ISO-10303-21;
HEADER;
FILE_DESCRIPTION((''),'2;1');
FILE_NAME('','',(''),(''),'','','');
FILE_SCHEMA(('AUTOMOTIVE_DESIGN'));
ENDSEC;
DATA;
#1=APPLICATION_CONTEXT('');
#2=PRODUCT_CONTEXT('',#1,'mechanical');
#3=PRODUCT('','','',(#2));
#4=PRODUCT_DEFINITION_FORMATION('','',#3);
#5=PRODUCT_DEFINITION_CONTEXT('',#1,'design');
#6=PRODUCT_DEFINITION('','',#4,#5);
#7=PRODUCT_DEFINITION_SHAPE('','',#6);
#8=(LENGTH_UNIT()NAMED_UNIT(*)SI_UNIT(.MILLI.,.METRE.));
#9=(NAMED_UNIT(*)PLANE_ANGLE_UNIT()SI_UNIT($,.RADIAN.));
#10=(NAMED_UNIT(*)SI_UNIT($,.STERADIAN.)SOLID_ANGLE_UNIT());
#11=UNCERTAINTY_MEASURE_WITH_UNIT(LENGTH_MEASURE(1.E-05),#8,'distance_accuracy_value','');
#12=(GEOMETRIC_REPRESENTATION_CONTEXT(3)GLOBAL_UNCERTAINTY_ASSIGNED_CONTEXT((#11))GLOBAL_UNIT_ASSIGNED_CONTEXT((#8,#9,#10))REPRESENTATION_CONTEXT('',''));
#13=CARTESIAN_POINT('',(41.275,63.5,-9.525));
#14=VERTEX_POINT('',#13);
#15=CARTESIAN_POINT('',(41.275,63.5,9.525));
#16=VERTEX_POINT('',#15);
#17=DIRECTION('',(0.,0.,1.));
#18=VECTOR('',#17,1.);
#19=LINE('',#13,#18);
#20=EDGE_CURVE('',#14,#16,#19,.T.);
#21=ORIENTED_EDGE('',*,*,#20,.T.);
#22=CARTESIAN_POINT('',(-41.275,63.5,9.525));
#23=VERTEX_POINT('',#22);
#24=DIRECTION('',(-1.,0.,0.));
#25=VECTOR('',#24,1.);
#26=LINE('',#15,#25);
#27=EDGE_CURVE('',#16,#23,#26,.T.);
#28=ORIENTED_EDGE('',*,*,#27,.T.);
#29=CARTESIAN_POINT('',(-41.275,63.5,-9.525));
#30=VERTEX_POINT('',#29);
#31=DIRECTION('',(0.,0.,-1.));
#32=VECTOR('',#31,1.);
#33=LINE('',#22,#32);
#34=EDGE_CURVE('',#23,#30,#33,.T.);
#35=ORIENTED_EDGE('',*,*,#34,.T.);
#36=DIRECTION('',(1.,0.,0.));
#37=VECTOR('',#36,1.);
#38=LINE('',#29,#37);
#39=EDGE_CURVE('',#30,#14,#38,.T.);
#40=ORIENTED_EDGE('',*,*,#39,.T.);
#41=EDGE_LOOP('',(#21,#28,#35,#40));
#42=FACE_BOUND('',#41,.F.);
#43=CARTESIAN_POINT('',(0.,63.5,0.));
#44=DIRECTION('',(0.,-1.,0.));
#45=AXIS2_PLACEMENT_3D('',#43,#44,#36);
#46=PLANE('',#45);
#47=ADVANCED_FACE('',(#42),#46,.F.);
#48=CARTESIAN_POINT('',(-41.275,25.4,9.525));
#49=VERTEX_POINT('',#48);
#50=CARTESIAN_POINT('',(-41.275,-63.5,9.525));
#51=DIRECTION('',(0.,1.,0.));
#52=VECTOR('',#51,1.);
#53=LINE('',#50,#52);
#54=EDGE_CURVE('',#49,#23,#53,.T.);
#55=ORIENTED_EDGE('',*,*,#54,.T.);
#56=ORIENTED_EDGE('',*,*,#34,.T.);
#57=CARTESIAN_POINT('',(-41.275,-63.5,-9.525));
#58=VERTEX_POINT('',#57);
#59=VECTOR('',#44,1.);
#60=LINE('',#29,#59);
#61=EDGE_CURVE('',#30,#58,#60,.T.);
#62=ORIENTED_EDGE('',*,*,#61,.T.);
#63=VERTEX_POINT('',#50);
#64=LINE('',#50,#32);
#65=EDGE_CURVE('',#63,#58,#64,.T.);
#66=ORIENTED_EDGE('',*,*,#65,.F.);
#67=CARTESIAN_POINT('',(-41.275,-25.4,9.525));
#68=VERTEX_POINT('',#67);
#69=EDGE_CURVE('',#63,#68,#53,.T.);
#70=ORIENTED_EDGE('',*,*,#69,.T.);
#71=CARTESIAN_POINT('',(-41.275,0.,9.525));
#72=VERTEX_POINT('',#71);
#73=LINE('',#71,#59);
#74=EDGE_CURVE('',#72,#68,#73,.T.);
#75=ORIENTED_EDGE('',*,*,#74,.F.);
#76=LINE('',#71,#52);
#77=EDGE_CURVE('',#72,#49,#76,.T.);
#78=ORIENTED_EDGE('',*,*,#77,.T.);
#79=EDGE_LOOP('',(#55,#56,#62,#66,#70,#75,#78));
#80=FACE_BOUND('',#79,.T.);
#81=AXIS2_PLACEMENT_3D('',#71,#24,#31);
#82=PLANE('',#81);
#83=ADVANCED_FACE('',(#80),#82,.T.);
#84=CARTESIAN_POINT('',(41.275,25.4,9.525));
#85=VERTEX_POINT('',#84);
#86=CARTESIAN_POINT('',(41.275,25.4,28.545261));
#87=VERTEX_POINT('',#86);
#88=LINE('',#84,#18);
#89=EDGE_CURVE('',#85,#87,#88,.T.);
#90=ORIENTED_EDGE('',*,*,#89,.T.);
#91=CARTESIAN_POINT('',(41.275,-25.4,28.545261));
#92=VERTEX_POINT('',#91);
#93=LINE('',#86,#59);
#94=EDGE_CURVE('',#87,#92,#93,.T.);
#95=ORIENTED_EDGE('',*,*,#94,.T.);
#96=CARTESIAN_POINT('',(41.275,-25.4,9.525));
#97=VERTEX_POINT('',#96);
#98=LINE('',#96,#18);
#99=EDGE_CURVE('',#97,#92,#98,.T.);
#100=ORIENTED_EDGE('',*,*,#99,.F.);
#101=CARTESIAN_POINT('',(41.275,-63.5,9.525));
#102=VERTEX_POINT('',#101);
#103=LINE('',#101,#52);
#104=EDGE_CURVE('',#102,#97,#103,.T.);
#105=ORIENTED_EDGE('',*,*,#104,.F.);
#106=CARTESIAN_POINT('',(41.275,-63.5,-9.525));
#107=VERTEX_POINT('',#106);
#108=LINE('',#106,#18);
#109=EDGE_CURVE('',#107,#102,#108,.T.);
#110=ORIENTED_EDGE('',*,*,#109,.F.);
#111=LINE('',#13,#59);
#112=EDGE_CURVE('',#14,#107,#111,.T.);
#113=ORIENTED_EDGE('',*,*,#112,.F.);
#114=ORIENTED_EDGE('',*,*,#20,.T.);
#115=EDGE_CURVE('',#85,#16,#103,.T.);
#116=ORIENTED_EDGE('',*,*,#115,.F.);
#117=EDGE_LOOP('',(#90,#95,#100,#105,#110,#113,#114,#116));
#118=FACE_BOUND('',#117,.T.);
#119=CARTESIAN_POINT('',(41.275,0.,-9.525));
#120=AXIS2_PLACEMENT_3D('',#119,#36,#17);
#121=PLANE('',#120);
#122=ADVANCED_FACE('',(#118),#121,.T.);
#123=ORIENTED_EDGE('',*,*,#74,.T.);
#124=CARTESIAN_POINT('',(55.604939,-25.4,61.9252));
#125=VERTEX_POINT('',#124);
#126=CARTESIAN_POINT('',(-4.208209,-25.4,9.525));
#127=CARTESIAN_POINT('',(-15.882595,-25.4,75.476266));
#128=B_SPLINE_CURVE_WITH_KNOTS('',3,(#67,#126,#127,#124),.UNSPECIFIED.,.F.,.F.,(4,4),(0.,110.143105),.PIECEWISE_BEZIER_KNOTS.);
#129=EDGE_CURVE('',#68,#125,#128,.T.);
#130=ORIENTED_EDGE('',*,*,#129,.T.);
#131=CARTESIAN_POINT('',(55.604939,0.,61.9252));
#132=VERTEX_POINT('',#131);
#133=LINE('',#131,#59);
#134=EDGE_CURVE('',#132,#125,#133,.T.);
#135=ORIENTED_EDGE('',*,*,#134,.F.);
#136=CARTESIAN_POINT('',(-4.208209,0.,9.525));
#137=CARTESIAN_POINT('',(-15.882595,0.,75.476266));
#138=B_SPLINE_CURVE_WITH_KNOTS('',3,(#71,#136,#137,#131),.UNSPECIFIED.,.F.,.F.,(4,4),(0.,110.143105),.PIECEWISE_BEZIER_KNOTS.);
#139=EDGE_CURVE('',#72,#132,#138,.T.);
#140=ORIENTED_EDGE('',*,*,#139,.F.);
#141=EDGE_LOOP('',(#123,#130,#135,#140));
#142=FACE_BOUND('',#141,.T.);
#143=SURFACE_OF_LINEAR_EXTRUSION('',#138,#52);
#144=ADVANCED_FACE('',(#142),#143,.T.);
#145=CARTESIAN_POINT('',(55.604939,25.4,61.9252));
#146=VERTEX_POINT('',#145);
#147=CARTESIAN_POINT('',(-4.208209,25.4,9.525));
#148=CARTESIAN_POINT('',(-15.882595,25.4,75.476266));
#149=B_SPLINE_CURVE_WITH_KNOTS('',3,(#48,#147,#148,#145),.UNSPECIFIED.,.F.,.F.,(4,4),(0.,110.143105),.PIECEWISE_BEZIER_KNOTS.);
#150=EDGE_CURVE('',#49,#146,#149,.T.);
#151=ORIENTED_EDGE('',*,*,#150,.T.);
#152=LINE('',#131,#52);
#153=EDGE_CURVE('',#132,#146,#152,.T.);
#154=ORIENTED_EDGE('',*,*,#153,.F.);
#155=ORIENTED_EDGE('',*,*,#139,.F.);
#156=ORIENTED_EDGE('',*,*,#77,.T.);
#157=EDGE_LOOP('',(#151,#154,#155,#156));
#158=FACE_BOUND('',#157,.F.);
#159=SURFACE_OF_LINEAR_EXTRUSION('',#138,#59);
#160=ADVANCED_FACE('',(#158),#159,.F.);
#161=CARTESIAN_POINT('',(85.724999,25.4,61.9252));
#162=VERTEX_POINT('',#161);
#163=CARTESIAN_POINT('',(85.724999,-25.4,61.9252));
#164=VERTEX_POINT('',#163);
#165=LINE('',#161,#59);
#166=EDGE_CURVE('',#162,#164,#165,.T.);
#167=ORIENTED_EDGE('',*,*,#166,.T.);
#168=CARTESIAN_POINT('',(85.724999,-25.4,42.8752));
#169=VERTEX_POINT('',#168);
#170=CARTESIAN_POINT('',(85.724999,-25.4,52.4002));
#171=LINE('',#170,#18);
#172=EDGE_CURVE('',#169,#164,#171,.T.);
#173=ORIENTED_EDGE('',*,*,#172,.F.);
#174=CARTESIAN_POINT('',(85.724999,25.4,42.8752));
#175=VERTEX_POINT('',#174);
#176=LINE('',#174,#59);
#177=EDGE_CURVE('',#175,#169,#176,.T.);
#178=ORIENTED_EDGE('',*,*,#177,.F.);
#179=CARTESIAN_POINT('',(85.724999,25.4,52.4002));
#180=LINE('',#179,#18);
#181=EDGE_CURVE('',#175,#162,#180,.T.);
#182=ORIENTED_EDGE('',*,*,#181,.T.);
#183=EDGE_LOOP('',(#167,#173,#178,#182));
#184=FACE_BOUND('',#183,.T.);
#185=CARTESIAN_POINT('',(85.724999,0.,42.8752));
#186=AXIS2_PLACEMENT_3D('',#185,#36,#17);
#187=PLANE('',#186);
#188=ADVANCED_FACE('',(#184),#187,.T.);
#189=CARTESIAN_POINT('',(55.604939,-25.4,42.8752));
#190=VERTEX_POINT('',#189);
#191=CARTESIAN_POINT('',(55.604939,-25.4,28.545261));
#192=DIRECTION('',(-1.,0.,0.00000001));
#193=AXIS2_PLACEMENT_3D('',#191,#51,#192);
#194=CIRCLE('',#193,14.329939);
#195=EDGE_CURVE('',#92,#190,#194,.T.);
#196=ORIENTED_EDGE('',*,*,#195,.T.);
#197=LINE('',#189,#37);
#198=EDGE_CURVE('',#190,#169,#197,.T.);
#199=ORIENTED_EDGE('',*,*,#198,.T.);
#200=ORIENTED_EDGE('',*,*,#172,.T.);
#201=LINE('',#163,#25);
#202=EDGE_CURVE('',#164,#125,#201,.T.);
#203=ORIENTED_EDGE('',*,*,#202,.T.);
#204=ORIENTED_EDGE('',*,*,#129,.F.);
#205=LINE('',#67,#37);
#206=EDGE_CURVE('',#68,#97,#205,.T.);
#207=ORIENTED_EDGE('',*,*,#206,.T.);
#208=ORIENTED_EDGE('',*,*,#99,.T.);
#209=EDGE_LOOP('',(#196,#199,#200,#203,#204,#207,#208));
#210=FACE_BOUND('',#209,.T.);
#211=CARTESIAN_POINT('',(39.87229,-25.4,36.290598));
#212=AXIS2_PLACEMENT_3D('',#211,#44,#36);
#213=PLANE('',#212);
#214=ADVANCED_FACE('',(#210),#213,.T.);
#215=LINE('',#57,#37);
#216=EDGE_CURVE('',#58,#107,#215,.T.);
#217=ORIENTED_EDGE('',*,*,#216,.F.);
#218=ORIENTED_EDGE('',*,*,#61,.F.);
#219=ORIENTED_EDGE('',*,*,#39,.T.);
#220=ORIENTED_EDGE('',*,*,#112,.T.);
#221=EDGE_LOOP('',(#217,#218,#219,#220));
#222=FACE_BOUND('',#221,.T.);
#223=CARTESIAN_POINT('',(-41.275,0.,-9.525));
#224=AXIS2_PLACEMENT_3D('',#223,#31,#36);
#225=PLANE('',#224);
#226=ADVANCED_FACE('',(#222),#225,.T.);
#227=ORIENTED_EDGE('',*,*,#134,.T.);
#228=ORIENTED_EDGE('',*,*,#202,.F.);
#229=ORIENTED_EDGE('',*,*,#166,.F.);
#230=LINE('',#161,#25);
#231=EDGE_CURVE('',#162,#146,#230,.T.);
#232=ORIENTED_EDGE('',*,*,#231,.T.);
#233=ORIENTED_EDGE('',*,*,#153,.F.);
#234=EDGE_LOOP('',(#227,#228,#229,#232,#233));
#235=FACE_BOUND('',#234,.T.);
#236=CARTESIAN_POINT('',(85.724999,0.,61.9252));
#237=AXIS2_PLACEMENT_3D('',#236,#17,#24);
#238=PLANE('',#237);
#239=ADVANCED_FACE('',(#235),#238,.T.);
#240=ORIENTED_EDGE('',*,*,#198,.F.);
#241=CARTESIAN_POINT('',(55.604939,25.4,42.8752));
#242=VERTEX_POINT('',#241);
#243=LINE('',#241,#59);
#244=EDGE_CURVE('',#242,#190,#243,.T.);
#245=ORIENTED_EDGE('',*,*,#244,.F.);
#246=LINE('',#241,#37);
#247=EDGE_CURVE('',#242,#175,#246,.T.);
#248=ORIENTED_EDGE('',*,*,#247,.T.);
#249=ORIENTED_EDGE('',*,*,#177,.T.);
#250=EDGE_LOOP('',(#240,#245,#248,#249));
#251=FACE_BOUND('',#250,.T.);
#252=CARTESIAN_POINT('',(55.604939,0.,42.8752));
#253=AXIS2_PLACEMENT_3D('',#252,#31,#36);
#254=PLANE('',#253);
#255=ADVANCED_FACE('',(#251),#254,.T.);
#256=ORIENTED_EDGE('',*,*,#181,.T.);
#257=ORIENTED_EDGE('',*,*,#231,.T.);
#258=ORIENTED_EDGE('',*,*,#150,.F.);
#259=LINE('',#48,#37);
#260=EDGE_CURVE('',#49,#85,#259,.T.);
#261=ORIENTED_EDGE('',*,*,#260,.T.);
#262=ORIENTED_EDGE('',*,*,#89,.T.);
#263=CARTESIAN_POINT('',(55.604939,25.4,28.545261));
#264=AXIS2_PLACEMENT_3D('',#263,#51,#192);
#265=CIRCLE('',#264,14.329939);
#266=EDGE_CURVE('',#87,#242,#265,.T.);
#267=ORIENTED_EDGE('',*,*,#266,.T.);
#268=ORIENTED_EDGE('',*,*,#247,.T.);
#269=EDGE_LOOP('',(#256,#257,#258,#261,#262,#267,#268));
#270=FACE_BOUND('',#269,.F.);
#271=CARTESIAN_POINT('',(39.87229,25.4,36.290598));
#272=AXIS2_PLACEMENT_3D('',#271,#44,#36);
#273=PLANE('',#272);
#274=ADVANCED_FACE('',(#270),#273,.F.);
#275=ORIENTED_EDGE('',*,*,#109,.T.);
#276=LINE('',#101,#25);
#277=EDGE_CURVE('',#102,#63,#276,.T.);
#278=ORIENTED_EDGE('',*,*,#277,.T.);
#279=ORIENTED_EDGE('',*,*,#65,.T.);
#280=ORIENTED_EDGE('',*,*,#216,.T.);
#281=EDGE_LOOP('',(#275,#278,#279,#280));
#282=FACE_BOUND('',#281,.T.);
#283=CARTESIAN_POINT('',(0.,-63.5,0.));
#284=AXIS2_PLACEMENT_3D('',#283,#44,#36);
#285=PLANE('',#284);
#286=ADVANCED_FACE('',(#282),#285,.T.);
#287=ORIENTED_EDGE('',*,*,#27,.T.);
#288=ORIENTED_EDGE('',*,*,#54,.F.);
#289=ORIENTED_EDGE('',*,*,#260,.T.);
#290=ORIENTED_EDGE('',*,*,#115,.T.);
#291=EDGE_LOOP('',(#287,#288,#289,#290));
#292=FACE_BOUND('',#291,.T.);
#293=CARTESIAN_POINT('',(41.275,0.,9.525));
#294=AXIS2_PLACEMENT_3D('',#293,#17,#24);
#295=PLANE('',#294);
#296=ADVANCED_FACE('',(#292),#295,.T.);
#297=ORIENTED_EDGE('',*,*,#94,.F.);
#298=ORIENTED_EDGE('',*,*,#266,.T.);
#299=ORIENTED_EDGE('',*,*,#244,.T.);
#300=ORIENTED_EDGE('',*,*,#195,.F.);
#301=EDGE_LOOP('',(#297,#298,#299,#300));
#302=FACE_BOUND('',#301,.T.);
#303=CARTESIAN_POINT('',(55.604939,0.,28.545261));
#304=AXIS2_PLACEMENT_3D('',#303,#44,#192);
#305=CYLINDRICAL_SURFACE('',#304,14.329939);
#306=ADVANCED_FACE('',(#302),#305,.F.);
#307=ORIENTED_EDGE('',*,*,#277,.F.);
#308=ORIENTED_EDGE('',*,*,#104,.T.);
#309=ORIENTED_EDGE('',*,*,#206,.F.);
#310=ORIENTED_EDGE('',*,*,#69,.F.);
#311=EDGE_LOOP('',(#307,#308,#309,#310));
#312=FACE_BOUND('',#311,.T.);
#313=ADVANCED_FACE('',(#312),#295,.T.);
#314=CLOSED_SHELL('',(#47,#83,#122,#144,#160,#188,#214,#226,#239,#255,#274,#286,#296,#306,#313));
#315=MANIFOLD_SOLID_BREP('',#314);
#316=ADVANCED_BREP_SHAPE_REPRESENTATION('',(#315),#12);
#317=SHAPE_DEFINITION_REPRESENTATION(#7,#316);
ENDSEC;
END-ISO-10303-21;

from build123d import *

# Parameters (mm, degrees)
F1_DEPTH = 63.5
F0_W     = 25.196091
F0_H     = 19.05
F2_DEPTH = 25.4


with BuildPart() as f1:
    # F0 (on Front) → F1 (new body, symmetric)
    with BuildSketch(Plane.XZ):
        Polygon((22.225, 9.525), (-41.275, 9.525), (-41.275, -9.525), (41.275, -9.525), (41.275, 9.525), align=None)
    extrude(amount=F1_DEPTH, both=True)

    # F0 (on Front) → F2 (join, symmetric)
    with BuildSketch(Plane.XZ):
        with BuildLine():
            Line((22.225, 28.545261), (22.225, 9.525))
            Line((22.225, 9.525), (41.275, 9.525))
            Line((41.275, 9.525), (41.275, 28.545261))
            ThreePointArc((41.275, 28.545261), (45.472142, 38.678058), (55.604939, 42.8752))
            Line((55.604939, 42.8752), (60.528909, 42.8752))
            Line((60.528909, 42.8752), (60.528909, 61.9252))
            Line((60.528909, 61.9252), (55.604939, 61.9252))
            ThreePointArc((55.604939, 61.9252), (32.001758, 52.148442), (22.225, 28.545261))
        make_face()
        with Locations((73.126954, 52.4002)):
            Rectangle(F0_W, F0_H)
        with BuildLine():
            add(Edge.make_bspline(
                [(-41.275, 9.525), (-4.208209, 9.525), (-15.882595, 75.476266), (55.604939, 61.9252)],
                knots=[0, 0, 0, 0, 110.143105, 110.143105, 110.143105, 110.143105], degree=3))
            Line((-41.275, 9.525), (22.225, 9.525))
            Line((22.225, 9.525), (22.225, 28.545261))
            ThreePointArc((22.225, 28.545261), (32.001758, 52.148442), (55.604939, 61.9252))
        make_face()
    extrude(amount=F2_DEPTH, both=True)


solid = f1.part
